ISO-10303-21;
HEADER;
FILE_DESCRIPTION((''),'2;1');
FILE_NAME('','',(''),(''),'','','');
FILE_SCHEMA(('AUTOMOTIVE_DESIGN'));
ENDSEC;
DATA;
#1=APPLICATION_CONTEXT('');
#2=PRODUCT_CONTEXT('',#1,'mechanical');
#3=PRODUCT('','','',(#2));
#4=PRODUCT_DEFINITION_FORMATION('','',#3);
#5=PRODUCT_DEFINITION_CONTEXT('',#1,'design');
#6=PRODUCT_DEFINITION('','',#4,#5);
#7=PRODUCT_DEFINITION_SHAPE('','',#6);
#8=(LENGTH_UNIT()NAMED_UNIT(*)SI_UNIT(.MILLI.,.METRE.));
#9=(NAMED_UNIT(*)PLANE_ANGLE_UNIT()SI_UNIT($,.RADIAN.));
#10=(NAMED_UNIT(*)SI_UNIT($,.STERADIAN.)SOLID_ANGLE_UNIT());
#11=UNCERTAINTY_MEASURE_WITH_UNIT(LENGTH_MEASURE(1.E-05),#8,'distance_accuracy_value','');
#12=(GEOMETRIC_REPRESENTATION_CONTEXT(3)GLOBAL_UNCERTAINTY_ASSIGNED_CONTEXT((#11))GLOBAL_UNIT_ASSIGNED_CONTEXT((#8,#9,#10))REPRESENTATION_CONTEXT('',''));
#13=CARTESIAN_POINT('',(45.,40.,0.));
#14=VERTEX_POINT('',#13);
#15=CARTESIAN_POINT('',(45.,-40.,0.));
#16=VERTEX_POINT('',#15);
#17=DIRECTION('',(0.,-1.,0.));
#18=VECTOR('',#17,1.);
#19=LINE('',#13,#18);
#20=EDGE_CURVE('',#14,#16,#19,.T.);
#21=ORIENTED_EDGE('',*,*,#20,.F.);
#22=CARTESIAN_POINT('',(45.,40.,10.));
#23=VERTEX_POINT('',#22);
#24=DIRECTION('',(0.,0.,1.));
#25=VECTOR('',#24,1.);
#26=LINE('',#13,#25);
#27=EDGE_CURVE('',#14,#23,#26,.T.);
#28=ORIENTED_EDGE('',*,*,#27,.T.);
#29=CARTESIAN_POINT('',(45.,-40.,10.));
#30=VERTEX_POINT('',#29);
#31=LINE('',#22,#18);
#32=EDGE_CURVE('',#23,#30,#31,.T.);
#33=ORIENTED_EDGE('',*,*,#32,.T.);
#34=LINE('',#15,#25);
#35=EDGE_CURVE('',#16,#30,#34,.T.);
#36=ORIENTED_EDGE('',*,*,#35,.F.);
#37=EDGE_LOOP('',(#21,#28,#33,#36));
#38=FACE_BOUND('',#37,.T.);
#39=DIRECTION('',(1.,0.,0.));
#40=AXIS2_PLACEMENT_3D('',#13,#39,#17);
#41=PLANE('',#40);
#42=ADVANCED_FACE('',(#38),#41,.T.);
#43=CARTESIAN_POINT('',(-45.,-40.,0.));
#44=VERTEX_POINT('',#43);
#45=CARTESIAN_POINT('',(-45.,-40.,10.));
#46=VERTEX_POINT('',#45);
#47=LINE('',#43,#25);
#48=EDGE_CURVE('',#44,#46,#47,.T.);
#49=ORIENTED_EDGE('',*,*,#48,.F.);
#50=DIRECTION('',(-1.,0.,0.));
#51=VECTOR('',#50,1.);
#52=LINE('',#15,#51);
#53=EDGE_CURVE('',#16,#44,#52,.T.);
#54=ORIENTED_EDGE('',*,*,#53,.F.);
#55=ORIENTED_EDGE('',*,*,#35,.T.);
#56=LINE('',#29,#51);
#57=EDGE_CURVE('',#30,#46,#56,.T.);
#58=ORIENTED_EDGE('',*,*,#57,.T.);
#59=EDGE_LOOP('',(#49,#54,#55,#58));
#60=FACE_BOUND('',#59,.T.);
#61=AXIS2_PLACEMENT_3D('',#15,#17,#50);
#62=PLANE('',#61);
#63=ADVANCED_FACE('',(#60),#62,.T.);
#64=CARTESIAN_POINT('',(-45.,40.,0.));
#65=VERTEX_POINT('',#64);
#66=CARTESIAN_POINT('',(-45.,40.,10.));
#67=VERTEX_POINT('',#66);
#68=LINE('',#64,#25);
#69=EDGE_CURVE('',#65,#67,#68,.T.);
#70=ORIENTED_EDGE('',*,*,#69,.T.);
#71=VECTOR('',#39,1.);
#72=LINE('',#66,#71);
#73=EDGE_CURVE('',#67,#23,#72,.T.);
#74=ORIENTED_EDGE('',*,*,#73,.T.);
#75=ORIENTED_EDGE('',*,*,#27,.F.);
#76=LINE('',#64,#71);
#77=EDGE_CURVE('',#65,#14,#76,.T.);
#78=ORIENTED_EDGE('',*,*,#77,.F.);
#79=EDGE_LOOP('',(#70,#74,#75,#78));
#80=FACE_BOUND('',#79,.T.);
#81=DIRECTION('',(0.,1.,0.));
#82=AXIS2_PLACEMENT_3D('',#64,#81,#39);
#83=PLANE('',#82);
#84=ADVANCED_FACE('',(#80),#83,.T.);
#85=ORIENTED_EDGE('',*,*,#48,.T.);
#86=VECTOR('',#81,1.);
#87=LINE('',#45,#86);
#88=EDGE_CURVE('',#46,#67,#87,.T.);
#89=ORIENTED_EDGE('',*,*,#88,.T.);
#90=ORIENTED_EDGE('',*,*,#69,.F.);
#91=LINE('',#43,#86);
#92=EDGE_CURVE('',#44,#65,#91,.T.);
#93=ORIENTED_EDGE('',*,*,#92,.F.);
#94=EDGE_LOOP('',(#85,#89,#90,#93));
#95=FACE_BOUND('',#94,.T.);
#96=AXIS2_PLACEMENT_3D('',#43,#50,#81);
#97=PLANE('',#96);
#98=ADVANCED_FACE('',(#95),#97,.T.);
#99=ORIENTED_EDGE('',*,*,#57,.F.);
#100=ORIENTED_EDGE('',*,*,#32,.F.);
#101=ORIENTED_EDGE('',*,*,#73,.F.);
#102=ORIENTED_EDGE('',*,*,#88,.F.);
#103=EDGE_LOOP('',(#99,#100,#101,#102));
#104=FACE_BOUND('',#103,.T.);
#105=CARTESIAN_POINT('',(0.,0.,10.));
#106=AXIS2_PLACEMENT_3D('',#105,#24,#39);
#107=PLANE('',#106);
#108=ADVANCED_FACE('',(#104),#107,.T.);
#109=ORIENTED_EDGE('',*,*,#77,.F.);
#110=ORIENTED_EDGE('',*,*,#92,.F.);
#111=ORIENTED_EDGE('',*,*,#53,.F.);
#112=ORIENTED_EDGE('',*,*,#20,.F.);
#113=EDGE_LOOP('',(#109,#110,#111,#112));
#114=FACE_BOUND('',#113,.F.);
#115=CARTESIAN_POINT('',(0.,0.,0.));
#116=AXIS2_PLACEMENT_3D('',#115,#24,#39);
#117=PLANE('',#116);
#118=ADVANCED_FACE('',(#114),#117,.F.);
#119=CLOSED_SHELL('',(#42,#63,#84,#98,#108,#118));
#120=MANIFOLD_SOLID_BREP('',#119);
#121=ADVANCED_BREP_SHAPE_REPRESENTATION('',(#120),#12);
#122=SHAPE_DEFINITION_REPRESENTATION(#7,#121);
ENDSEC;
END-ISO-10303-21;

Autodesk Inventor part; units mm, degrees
ref_plane "YZ Plane" through (0, 0, 0) normal (1, 0, 0) x (0, 1, 0)
ref_plane "XZ Plane" through (0, 0, 0) normal (0, 1, 0) x (-1, 0, 0)
ref_plane "XY Plane" through (0, 0, 0) normal (0, 0, 1) x (1, 0, 0)
sketch "Skizze1" plane through (0, 0, 0) normal (0, 0, 1) x (1, 0, 0)
  line L0 (45, -40) -> (-45, -40)
  line L1 (-45, -40) -> (-45, 40)
  line L2 (-45, 40) -> (45, 40)
  line L3 (45, 40) -> (45, -40)
  line L4 (45, -40) -> (-45, 40) construction
  line L5 (-45, -40) -> (45, 40) construction
  point P0 (0, 0)
  dimension "d0" = 90
  dimension "d1" = 80
extrude "Extrusion1" add sketch "Skizze1" along normal blind 10
properties part number "Tunel_FrontPanel" material "Polycarbonat, klar"
